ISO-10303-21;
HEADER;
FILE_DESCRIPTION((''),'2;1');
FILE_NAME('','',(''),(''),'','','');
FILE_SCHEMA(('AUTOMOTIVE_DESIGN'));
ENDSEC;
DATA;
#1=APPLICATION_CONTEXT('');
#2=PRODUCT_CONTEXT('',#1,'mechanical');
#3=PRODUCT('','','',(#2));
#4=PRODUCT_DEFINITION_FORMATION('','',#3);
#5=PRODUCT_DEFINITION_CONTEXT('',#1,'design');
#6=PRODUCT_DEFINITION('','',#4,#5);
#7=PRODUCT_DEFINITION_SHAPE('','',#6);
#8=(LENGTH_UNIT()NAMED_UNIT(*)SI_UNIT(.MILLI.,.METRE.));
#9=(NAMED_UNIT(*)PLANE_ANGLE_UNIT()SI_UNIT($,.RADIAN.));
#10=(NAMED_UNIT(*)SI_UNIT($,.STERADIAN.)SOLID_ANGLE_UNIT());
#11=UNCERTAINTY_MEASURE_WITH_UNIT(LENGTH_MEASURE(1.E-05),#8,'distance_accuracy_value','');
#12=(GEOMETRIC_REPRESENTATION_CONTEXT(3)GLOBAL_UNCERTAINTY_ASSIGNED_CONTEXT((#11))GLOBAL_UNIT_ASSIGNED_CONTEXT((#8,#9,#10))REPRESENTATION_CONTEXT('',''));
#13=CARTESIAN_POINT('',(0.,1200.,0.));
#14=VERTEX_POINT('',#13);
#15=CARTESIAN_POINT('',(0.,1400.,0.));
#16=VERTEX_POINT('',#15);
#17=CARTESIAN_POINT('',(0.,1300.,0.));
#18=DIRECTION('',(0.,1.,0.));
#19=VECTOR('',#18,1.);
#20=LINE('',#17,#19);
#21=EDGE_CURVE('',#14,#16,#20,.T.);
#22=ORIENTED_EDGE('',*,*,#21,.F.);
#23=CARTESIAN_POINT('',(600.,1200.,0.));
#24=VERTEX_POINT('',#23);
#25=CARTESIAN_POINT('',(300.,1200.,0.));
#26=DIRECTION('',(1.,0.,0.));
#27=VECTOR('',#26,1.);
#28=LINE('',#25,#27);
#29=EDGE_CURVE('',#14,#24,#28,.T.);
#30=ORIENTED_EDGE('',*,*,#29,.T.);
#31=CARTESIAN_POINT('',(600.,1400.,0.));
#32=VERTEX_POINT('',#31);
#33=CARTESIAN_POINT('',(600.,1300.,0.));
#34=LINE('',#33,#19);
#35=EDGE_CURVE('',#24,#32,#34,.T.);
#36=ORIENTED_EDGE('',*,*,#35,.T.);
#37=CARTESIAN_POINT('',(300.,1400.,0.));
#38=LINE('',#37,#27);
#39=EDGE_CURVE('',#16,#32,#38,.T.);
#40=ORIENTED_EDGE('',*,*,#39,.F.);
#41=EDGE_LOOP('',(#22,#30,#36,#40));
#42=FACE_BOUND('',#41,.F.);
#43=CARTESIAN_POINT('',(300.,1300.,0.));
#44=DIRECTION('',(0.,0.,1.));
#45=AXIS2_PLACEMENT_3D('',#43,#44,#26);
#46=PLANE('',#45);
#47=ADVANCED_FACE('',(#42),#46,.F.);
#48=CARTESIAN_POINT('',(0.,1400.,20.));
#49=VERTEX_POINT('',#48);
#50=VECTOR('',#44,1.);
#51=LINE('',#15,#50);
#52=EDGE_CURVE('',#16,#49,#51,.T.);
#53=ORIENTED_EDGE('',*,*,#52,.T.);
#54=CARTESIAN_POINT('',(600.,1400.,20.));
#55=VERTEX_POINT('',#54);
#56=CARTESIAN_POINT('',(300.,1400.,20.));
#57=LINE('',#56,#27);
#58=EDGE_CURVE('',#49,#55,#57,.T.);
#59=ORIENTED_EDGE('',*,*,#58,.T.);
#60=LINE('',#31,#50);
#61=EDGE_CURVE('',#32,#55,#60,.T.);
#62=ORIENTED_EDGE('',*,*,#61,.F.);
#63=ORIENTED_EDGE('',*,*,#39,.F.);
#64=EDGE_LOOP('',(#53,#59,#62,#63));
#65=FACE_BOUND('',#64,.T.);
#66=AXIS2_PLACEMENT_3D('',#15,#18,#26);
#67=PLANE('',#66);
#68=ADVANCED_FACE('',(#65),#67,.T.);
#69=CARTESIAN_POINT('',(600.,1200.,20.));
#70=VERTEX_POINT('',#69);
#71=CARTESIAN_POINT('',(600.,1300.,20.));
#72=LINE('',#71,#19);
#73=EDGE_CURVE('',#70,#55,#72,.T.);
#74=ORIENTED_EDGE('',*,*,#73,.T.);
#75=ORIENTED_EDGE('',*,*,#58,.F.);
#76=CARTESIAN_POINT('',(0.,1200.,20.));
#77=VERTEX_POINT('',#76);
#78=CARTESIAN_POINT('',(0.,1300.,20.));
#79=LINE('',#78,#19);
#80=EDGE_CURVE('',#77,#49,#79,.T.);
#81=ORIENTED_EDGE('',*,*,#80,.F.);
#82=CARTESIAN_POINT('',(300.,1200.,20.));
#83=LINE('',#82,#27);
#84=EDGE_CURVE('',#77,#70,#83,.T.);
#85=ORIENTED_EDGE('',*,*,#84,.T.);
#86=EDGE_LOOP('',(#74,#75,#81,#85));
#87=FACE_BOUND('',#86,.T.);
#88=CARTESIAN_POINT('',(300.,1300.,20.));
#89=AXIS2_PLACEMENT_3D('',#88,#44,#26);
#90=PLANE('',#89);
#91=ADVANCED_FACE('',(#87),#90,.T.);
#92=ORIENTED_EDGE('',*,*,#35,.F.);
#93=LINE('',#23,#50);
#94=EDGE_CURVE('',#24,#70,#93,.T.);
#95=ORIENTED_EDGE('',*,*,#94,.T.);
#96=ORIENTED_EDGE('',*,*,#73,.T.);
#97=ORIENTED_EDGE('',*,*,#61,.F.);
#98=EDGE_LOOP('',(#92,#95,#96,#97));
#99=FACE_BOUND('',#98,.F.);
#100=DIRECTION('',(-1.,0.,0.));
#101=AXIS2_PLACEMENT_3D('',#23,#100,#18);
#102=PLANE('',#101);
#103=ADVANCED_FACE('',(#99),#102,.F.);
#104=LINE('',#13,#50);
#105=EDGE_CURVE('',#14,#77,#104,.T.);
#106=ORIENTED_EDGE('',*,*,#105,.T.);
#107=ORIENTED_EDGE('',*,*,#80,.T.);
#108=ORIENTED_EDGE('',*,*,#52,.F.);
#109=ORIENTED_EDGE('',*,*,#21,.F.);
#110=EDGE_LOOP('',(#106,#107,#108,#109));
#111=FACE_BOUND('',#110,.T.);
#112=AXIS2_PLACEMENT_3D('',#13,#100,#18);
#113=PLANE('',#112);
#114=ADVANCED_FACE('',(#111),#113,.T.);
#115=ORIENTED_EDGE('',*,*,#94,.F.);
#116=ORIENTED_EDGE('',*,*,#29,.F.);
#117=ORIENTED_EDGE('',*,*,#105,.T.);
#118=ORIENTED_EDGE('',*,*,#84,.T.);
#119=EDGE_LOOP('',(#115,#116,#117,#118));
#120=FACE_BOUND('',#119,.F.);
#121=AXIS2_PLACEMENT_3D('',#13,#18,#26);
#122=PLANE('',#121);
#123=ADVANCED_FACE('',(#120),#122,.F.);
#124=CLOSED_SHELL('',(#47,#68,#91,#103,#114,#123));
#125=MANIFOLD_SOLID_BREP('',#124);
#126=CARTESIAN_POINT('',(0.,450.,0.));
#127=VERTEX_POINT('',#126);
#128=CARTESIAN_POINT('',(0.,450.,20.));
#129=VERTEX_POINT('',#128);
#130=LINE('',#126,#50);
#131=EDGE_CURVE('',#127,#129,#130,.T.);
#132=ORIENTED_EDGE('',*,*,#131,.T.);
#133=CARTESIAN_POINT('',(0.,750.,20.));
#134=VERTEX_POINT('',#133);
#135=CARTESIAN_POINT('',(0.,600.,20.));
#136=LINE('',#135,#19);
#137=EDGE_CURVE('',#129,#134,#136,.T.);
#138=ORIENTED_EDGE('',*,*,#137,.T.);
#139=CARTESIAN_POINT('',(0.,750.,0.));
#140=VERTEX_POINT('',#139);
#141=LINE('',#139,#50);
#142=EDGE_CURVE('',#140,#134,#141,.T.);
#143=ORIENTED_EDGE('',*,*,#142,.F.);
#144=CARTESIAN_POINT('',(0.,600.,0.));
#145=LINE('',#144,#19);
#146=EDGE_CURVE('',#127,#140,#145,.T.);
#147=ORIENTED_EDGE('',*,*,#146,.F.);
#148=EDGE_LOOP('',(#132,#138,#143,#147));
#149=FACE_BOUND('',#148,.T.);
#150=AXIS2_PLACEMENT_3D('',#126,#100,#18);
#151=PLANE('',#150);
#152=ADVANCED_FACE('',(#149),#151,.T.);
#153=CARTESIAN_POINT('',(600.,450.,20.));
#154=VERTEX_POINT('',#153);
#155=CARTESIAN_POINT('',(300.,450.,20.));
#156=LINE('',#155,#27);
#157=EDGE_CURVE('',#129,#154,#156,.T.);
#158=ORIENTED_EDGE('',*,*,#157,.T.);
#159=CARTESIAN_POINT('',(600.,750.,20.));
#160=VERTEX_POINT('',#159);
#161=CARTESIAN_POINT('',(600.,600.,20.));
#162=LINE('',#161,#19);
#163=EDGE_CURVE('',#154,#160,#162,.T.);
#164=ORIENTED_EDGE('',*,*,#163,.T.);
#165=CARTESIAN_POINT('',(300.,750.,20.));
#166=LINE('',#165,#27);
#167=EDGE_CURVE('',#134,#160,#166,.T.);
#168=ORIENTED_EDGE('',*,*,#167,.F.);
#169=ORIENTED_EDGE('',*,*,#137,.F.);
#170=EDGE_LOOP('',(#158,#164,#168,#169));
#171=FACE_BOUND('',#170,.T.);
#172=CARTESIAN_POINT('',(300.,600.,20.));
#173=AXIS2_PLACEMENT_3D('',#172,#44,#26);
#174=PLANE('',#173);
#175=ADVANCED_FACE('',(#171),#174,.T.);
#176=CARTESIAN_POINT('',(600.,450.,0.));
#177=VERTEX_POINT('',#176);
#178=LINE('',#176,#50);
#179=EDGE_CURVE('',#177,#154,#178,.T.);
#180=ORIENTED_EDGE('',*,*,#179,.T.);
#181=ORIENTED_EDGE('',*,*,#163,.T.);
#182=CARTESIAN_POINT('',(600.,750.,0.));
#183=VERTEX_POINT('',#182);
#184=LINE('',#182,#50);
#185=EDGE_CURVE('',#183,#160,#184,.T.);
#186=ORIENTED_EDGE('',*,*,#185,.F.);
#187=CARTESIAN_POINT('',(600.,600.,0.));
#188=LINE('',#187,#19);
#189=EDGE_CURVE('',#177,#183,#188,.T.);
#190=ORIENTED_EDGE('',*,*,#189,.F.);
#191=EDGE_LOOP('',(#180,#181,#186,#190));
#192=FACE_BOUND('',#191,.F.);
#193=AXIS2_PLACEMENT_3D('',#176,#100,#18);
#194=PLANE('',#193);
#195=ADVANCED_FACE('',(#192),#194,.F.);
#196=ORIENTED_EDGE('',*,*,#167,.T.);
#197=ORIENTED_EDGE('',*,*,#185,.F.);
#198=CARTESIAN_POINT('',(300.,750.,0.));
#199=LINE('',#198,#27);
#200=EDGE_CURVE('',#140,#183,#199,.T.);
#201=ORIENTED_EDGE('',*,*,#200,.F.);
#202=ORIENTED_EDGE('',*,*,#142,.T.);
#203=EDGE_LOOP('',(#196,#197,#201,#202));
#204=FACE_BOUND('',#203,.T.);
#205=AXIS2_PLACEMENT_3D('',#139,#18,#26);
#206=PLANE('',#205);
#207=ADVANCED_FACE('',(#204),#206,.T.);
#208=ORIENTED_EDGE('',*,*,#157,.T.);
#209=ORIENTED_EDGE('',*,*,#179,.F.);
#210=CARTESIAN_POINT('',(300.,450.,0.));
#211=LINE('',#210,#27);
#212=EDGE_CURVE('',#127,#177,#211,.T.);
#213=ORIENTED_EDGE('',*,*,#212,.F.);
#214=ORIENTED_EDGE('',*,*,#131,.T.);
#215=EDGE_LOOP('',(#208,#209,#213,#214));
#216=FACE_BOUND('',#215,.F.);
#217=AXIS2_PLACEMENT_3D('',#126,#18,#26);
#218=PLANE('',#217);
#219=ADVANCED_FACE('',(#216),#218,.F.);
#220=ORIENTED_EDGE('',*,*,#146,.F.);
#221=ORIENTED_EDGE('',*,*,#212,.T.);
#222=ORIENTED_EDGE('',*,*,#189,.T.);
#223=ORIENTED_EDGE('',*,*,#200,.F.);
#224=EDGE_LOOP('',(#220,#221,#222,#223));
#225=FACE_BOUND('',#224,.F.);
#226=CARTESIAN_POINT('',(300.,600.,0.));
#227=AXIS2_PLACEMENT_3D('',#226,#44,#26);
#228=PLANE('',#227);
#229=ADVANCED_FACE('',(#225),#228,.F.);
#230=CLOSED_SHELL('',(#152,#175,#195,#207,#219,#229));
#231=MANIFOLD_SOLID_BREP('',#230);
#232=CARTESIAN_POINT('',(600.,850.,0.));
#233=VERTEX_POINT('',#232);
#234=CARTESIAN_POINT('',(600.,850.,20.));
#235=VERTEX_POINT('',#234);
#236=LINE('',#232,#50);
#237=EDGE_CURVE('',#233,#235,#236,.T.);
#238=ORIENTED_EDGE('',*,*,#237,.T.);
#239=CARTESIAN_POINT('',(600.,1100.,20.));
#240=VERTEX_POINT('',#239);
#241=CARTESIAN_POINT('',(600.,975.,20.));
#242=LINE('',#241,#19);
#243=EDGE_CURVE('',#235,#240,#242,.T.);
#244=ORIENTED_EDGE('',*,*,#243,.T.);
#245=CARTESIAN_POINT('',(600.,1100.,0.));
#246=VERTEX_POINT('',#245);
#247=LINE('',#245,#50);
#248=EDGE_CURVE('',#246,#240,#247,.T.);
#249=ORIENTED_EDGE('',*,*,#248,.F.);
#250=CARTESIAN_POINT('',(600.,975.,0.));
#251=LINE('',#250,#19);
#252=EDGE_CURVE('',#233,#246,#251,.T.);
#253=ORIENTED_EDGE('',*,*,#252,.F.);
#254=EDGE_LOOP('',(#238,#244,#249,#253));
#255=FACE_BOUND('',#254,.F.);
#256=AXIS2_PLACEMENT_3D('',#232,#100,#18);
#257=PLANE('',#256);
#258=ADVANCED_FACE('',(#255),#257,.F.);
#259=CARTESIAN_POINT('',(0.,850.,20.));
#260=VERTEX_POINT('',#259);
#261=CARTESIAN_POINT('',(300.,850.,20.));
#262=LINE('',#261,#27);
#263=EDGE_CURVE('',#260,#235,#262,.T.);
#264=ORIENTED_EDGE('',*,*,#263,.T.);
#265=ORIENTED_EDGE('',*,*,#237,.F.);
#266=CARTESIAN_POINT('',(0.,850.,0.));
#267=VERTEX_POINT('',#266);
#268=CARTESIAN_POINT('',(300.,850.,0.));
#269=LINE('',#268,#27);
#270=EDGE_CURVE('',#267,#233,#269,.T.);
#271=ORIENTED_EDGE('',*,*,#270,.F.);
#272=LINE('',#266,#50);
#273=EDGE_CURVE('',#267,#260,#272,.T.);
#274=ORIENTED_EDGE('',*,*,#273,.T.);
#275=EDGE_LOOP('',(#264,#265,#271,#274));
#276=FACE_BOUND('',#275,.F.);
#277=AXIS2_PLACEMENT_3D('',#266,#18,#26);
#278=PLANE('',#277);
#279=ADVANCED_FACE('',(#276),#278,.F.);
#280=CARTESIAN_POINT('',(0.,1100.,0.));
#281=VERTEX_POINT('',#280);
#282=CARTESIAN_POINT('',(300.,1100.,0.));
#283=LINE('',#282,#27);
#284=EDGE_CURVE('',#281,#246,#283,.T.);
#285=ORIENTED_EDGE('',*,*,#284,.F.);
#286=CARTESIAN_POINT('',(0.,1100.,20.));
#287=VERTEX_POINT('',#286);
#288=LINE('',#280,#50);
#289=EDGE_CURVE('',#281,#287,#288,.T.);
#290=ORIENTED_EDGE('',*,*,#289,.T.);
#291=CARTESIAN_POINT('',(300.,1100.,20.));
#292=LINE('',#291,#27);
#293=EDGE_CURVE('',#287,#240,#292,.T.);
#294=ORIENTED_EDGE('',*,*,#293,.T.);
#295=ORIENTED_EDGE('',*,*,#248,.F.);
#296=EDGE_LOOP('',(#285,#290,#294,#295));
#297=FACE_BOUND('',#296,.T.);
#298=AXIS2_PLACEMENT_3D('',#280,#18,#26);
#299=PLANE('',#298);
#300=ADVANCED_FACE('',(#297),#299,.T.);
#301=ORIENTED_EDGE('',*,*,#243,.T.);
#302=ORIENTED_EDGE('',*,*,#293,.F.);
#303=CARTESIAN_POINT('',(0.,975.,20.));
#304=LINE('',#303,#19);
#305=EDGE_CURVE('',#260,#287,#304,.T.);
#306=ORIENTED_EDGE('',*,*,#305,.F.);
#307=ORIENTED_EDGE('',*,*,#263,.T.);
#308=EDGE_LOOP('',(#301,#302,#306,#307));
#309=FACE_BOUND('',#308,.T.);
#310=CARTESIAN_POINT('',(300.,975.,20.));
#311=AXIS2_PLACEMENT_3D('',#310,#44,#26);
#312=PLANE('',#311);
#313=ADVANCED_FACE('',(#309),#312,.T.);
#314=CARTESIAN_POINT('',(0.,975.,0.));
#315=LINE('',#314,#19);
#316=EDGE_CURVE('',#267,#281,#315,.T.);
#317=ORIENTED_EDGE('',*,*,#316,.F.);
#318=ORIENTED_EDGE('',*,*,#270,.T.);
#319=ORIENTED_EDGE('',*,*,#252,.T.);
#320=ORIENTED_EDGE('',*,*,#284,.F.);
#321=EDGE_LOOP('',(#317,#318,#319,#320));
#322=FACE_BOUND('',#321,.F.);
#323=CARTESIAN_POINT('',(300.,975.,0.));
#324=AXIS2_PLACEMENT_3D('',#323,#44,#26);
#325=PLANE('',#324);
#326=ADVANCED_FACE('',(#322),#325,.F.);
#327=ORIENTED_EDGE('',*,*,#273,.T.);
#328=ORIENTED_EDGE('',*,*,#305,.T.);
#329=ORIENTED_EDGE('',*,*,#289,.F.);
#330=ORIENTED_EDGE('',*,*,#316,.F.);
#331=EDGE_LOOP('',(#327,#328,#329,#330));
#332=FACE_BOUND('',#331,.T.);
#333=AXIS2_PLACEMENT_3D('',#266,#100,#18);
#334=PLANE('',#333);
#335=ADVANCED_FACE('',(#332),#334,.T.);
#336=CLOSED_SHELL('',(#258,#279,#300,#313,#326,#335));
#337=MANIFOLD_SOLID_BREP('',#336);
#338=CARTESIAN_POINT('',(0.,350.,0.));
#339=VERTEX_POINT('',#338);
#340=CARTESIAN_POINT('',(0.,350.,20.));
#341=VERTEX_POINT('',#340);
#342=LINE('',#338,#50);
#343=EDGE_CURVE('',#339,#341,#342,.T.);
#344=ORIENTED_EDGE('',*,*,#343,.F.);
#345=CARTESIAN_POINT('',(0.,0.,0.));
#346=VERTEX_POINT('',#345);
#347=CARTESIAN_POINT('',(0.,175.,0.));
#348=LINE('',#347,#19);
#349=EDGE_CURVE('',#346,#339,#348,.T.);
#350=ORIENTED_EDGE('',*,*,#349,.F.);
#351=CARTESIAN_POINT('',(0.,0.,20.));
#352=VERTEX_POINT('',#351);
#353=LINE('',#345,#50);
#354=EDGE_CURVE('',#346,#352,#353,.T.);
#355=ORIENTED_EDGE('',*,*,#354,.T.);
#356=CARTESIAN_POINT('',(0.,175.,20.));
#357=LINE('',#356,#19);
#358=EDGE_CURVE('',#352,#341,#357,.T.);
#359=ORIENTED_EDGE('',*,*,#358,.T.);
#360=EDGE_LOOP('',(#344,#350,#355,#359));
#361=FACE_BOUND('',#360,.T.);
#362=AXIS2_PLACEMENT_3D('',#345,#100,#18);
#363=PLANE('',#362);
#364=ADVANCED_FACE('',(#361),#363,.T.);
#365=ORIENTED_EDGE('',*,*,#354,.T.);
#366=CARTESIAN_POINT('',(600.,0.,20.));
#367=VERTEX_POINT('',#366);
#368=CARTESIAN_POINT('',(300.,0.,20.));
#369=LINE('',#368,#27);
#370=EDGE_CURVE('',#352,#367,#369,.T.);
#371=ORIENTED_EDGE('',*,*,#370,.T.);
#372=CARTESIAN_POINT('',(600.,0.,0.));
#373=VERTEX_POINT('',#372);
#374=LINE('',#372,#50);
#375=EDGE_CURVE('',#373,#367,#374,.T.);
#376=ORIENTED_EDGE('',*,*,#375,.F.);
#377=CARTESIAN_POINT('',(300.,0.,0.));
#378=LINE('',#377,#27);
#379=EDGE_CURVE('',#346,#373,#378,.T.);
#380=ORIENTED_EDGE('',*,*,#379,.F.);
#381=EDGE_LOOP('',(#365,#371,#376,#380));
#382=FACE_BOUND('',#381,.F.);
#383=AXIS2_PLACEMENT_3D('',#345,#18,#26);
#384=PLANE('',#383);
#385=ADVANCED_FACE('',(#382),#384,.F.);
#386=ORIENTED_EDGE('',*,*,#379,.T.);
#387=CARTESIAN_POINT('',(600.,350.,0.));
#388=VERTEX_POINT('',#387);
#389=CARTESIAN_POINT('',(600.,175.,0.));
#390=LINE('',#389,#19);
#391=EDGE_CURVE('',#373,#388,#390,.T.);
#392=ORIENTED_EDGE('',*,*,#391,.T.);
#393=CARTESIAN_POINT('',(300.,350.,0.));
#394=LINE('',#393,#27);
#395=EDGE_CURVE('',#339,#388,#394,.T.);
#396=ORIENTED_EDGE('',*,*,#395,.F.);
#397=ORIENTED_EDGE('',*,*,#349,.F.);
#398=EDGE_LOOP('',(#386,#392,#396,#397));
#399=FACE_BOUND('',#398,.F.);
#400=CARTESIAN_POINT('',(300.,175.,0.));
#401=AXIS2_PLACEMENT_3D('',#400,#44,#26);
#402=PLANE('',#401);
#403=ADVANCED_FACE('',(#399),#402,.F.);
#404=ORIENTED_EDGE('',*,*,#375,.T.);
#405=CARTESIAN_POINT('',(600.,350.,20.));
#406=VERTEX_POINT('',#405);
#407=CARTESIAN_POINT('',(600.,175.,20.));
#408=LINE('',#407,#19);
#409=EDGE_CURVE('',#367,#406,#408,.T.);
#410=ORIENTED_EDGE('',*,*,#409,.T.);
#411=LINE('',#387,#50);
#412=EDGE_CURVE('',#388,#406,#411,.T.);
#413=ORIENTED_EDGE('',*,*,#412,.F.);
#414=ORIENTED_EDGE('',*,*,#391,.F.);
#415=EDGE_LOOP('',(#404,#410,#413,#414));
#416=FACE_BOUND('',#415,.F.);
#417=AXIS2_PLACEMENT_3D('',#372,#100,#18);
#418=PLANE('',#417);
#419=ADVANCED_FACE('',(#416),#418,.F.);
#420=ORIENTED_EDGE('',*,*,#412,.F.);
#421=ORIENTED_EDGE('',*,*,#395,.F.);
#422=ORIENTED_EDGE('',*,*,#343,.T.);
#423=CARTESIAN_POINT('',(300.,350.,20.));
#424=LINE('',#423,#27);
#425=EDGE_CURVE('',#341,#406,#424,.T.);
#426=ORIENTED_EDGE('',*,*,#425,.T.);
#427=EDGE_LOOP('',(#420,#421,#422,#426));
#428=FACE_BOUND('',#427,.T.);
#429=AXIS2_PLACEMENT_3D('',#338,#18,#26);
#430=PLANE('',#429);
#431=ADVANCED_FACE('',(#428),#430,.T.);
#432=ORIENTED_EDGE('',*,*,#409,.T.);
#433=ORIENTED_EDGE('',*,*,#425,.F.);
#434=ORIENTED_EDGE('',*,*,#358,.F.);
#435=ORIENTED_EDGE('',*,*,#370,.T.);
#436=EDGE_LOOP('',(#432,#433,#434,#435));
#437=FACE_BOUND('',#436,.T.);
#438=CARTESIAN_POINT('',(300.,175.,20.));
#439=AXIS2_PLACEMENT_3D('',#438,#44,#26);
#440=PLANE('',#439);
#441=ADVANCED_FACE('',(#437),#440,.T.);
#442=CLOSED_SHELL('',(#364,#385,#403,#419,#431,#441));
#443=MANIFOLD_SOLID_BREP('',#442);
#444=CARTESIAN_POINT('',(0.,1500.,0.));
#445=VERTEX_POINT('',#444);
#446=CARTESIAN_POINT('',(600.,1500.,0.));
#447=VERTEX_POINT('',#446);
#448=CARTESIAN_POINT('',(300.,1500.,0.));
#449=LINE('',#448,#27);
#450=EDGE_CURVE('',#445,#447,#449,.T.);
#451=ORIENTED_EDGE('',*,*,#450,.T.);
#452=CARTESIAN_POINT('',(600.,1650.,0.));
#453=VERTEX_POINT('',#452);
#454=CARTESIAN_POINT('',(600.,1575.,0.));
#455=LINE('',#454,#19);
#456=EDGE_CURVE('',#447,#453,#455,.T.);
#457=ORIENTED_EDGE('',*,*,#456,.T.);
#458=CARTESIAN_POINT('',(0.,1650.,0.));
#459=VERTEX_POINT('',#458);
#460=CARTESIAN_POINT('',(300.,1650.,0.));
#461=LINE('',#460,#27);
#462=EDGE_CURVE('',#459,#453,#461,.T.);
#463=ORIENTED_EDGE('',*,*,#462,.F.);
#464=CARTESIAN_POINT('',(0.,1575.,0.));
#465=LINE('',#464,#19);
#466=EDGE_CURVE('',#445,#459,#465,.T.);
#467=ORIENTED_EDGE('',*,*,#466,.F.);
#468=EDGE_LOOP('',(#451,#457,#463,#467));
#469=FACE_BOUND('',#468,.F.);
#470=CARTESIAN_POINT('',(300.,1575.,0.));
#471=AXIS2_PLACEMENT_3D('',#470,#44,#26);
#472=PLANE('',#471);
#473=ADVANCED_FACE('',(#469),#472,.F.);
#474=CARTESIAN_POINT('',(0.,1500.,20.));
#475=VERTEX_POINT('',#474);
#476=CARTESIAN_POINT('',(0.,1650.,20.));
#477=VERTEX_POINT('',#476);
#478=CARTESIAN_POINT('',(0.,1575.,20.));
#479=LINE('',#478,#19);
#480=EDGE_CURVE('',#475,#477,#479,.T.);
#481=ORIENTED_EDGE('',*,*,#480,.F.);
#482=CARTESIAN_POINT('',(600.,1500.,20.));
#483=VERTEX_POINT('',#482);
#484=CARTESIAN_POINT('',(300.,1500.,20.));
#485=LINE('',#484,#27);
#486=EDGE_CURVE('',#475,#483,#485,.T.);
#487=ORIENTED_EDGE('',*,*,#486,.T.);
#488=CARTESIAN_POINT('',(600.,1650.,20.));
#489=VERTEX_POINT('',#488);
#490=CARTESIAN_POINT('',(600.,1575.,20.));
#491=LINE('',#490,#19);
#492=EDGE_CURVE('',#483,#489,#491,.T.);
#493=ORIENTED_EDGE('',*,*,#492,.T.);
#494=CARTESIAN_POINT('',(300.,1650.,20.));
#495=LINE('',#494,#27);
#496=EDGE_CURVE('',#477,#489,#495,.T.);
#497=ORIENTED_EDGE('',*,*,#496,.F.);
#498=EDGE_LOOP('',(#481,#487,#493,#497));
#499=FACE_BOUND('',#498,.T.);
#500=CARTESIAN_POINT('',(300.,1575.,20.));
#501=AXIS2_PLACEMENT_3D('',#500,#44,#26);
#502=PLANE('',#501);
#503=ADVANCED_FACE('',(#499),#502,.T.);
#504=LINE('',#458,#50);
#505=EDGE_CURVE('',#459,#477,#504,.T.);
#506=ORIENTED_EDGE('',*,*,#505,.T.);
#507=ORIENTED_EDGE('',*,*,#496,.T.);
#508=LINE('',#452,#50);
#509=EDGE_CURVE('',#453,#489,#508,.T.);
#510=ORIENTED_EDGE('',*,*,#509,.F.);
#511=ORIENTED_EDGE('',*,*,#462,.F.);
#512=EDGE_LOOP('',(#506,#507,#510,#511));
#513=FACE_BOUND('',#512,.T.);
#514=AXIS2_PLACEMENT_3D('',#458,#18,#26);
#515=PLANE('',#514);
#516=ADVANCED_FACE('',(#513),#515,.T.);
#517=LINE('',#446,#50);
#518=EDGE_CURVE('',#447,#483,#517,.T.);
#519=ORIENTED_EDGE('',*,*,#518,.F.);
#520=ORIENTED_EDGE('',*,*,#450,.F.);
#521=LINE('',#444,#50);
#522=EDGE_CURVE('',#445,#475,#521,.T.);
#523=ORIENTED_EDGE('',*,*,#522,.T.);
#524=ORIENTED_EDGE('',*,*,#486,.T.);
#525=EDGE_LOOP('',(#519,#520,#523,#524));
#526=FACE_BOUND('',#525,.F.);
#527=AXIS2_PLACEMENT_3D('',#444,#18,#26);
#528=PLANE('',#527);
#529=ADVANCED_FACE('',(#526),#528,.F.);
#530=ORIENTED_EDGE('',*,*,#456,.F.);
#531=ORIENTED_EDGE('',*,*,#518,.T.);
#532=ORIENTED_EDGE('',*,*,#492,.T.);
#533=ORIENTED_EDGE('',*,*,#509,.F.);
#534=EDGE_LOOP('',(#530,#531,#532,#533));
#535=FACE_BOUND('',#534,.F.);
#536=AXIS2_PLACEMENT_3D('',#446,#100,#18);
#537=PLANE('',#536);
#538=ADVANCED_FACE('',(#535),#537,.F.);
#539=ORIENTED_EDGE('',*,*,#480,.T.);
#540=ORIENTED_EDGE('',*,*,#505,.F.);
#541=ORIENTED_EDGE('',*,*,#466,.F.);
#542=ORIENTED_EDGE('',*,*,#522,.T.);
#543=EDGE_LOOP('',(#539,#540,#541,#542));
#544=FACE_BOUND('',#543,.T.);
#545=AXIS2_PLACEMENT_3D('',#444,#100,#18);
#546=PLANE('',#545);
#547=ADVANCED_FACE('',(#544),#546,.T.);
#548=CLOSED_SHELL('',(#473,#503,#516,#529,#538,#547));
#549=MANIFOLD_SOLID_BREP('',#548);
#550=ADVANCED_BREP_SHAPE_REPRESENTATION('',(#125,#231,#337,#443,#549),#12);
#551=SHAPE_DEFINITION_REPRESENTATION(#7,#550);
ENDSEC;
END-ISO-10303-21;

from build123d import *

# Parameters (mm, degrees)
F0_W     = 600
F0_H     = 350
F1_DEPTH = 20
F0_H_2   = 300
F2_DEPTH = 20
F0_H_3   = 250
F3_DEPTH = 20
F0_H_4   = 200
F4_DEPTH = 20
F0_H_5   = 150
F5_DEPTH = 20


with BuildPart() as f1:
    # F0 (on Top) → F1 (new body)
    with BuildSketch(Plane.XY):
        with Locations((300, 175)):
            Rectangle(F0_W, F0_H)
    extrude(amount=F1_DEPTH)


with BuildPart() as f2:
    # F0 (on Top) → F2 (new body)
    with BuildSketch(Plane.XY):
        with Locations((300, 600)):
            Rectangle(F0_W, F0_H_2)
    extrude(amount=F2_DEPTH)


with BuildPart() as f3:
    # F0 (on Top) → F3 (new body)
    with BuildSketch(Plane.XY):
        with Locations((300, 975)):
            Rectangle(F0_W, F0_H_3)
    extrude(amount=F3_DEPTH)


with BuildPart() as f4:
    # F0 (on Top) → F4 (new body)
    with BuildSketch(Plane.XY):
        with Locations((300, 1300)):
            Rectangle(F0_W, F0_H_4)
    extrude(amount=F4_DEPTH)


with BuildPart() as f5:
    # F0 (on Top) → F5 (new body)
    with BuildSketch(Plane.XY):
        with Locations((300, 1575)):
            Rectangle(F0_W, F0_H_5)
    extrude(amount=F5_DEPTH)


solid = Compound([f1.part, f2.part, f3.part, f4.part, f5.part])
